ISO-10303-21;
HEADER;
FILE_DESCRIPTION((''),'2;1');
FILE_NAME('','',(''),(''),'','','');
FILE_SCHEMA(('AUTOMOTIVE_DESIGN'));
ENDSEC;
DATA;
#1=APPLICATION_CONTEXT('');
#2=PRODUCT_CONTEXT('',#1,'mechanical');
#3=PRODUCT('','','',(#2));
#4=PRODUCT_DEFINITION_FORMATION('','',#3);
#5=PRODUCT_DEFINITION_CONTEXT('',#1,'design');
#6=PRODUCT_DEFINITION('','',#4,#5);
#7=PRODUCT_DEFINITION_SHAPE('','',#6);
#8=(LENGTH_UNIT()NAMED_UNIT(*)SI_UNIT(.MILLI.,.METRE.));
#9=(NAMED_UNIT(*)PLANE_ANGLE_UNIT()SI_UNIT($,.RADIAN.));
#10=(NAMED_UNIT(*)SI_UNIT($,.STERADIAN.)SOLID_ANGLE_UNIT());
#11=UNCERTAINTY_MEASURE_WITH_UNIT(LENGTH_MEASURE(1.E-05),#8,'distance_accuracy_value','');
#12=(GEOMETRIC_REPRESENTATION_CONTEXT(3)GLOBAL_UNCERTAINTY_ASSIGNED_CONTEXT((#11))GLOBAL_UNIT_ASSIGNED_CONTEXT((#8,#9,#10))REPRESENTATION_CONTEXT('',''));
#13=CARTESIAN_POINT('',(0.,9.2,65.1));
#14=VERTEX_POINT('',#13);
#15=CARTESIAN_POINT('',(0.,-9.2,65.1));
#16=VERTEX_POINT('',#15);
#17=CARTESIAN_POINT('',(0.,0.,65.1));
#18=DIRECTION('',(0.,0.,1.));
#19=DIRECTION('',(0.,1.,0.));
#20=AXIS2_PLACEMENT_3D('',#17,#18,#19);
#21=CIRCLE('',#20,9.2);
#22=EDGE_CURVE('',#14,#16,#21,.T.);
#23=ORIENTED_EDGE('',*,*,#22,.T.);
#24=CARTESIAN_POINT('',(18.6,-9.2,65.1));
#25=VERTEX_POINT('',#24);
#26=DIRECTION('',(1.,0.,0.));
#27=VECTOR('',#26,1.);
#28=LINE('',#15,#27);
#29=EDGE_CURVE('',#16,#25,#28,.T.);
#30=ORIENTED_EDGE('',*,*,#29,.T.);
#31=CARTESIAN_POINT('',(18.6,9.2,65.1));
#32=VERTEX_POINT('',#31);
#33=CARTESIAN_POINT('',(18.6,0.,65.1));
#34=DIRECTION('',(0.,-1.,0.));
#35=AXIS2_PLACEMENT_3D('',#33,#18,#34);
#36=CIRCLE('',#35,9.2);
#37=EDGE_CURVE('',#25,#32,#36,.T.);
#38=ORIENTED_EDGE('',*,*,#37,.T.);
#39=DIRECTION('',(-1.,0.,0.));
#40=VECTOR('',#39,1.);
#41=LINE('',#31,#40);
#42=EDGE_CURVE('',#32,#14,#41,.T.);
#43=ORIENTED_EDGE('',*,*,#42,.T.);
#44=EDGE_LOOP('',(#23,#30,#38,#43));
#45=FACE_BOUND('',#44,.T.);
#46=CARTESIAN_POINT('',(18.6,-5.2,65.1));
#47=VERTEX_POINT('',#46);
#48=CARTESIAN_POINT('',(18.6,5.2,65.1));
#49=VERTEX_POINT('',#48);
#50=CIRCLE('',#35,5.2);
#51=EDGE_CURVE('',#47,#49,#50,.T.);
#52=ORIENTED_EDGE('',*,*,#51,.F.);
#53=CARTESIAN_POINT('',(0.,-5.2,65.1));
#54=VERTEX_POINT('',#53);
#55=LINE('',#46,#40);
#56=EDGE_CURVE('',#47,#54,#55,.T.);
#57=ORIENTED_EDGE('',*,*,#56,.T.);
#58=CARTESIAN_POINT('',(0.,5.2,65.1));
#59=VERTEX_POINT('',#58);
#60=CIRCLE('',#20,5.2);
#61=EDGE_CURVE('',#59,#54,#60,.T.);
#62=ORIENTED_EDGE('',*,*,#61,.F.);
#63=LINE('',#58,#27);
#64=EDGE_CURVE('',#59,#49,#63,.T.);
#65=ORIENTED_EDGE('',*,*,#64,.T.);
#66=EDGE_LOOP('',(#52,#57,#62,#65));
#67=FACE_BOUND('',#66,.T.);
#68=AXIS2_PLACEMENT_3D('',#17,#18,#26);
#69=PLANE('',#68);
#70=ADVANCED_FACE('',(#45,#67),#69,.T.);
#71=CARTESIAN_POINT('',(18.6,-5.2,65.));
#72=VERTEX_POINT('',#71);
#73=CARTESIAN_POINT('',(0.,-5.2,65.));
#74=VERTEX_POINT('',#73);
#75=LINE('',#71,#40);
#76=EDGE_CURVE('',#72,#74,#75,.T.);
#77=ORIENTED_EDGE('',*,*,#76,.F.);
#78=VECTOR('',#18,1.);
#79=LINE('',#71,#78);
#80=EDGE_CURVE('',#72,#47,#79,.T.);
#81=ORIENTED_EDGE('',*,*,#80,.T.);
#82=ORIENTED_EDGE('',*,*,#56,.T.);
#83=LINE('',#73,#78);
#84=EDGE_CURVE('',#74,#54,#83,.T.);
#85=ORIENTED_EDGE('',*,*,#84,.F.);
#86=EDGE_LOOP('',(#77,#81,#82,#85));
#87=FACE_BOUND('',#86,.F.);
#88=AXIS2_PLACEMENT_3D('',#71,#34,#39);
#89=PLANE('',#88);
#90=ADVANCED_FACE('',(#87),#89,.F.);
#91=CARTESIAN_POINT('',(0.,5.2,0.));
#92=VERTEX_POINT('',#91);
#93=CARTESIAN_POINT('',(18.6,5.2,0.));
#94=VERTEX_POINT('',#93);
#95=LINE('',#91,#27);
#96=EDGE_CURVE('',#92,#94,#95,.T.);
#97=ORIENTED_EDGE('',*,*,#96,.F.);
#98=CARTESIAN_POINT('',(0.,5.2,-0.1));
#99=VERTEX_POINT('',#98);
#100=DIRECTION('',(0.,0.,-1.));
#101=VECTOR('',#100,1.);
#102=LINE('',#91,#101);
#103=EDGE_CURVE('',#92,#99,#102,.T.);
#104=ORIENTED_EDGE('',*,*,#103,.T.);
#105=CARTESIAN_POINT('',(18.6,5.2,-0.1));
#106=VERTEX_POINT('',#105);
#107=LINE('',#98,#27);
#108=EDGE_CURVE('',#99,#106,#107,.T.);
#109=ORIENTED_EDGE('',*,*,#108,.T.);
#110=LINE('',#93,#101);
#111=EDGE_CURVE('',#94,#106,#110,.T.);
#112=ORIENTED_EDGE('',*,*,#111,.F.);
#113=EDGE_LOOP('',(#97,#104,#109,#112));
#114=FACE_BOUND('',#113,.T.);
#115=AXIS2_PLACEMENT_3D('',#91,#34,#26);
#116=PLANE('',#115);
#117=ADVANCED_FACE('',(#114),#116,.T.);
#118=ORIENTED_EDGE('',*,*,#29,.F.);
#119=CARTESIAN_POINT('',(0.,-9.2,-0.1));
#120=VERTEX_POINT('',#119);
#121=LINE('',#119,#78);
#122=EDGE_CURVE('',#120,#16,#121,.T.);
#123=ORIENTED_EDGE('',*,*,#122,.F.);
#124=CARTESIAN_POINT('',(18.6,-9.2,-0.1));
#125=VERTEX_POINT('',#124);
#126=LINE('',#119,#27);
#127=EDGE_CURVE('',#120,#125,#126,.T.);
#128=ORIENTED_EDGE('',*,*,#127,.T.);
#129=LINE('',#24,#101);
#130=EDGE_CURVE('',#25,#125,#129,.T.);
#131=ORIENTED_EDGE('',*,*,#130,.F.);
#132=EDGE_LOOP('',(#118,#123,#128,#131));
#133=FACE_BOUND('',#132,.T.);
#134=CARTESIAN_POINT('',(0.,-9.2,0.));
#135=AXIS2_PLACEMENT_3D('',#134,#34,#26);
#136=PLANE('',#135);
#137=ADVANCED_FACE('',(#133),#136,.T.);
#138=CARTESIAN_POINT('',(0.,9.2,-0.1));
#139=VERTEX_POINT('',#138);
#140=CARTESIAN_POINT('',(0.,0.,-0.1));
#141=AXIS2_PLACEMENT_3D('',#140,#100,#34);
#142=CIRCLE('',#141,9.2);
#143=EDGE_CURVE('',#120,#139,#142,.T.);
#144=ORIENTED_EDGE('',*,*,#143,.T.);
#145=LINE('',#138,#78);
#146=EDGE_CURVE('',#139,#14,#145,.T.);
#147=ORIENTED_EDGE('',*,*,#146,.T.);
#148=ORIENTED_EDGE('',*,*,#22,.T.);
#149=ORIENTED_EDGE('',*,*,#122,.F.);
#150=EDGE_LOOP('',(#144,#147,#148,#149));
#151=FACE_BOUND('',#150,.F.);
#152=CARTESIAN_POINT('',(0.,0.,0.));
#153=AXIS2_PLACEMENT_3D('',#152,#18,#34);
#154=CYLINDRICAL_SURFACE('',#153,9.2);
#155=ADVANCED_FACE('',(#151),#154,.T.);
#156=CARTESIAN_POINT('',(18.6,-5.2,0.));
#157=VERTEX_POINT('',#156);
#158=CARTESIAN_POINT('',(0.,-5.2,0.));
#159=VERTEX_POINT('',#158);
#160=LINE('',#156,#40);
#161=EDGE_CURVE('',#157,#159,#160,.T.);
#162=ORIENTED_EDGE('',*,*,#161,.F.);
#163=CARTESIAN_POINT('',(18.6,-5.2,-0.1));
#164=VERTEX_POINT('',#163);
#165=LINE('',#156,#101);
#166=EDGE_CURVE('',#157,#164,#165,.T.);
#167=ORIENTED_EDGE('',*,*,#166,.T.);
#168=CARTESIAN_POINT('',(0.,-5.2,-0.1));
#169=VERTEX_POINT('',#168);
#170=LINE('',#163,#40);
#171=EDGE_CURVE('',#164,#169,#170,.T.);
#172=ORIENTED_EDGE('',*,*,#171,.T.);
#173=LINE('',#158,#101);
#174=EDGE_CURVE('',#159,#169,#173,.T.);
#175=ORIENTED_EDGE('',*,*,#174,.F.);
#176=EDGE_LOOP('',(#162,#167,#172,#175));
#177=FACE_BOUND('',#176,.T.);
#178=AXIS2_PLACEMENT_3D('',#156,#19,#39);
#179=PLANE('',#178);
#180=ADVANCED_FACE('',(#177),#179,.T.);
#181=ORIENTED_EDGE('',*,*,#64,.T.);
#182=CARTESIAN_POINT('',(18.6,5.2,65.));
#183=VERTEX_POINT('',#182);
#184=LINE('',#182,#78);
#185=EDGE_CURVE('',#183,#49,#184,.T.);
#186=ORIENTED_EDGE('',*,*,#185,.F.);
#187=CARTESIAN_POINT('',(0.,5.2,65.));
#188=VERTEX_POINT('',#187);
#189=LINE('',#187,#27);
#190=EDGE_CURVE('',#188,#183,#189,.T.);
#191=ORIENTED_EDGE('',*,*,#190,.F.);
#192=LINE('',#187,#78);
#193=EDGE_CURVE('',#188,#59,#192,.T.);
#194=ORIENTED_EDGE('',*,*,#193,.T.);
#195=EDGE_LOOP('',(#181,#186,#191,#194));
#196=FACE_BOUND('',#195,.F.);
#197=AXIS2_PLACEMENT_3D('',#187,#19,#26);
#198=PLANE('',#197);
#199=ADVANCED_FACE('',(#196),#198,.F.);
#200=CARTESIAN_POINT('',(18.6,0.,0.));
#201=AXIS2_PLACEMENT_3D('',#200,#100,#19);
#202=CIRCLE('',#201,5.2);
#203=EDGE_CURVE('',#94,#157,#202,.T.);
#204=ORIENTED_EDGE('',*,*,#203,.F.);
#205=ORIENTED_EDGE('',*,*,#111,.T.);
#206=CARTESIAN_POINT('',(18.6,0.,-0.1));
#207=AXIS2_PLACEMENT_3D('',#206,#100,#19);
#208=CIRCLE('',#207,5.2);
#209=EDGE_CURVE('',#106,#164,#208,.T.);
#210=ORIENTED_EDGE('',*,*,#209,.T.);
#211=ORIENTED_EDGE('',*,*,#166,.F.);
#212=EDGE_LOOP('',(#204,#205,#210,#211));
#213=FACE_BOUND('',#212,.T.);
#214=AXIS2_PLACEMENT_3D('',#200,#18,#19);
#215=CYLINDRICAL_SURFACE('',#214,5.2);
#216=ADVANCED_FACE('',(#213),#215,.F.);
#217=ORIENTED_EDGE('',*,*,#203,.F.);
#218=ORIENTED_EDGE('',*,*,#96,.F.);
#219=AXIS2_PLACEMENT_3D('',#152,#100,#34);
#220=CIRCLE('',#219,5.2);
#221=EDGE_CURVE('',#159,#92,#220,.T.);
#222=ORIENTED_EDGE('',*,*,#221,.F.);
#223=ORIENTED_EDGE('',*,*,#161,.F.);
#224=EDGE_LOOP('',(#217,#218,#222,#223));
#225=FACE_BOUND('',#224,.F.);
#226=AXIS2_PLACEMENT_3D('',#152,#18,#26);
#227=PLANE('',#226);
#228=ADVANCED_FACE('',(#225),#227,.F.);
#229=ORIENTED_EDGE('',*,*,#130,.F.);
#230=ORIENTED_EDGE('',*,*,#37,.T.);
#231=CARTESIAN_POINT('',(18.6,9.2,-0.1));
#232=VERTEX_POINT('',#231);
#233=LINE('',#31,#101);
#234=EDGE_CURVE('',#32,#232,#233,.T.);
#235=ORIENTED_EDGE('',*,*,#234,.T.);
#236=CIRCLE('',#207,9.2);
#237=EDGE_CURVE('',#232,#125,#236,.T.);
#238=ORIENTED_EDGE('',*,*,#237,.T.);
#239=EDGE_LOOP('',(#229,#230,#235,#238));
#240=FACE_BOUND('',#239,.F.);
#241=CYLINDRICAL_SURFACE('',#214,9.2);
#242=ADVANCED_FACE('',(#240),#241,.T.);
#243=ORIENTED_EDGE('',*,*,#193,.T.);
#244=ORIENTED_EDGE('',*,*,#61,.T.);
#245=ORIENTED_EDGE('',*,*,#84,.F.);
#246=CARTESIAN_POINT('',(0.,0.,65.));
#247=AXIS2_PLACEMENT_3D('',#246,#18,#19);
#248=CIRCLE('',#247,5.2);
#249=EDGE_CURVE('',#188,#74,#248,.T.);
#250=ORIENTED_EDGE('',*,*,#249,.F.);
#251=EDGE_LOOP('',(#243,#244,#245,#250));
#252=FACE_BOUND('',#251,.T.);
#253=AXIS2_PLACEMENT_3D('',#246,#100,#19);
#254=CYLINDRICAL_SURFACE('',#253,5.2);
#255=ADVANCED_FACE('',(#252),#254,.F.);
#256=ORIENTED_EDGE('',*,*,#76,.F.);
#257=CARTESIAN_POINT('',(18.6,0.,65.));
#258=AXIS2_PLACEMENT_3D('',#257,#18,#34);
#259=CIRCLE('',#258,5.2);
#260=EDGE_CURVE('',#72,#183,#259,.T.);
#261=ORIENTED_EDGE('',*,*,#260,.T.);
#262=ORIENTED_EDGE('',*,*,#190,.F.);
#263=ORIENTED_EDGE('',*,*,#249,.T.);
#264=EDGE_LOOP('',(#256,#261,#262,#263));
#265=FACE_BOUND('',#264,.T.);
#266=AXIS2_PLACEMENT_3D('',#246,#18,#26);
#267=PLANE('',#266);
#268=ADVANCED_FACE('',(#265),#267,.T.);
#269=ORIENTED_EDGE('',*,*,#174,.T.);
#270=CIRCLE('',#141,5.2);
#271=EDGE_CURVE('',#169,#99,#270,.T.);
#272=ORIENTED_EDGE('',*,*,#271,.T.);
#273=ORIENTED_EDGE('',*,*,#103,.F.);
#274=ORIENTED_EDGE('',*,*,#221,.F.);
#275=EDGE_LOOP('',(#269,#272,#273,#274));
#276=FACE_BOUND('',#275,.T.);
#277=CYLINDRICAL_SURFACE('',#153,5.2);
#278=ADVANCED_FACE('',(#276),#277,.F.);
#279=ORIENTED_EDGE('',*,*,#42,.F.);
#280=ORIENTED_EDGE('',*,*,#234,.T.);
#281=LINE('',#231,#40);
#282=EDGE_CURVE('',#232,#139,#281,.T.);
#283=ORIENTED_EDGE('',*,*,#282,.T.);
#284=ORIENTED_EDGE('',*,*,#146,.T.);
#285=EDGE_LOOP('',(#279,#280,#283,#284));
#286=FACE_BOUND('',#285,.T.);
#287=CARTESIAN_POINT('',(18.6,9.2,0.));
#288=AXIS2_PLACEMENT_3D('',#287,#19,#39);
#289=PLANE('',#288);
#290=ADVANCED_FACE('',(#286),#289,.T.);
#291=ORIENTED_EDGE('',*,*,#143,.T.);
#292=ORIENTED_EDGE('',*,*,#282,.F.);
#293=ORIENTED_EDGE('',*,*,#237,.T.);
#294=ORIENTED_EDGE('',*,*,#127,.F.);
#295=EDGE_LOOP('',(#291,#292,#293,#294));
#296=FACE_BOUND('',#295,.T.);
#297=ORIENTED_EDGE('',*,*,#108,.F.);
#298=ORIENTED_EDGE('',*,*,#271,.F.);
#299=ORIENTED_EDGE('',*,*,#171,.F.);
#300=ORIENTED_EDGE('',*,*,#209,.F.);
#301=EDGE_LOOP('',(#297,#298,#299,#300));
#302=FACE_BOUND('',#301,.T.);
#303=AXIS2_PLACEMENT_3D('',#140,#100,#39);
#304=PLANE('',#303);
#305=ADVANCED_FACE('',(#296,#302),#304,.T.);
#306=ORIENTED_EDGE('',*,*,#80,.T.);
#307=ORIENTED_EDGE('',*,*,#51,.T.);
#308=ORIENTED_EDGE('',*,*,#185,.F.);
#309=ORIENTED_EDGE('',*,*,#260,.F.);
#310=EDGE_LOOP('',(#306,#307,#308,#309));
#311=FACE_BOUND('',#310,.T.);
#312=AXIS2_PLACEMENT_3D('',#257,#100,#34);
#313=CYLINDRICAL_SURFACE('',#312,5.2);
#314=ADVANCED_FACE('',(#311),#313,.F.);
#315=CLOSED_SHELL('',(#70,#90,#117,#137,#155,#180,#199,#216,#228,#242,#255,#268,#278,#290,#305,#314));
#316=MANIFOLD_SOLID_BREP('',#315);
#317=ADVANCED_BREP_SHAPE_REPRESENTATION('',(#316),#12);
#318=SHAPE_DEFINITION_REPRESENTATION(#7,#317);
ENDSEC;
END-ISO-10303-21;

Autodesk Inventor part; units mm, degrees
ref_plane "YZ Plane" through (0, 0, 0) normal (1, 0, 0) x (0, 1, 0)
ref_plane "XZ Plane" through (0, 0, 0) normal (0, 1, 0) x (-1, 0, 0)
ref_plane "XY Plane" through (0, 0, 0) normal (0, 0, 1) x (1, 0, 0)
sketch "Sketch1" plane through (0, 0, 0) normal (0, 0, 1) x (1, 0, 0)
  arc A0 (0, 9.2) -> (0, -9.2) centre (0, 0) ccw
  arc A1 (18.6, -9.2) -> (18.6, 9.2) centre (18.6, 0) ccw
  line L0 (0, 9.2) -> (18.6, 9.2)
  line L1 (0, -9.2) -> (18.6, -9.2)
  dimension "d0" = 18.4
  dimension "d1" = 18.4
  dimension "d2" = 18.6
extrude "Extrusion1" add sketch "Sketch1" along normal blind 65
sketch "Sketch2" plane through (0, 0, 65) normal (0, 0, 1) x (1, 0, 0)
  line L0 (18.6, 9.2) -> (0, 9.2) projected
  arc A0 (0, 9.2) -> (0, -9.2) centre (0, 0) ccw projected
  line L1 (0, -9.2) -> (18.6, -9.2) projected
  arc A1 (18.6, -9.2) -> (18.6, 9.2) centre (18.6, 0) ccw projected
  line L2 (0, 5.2) -> (18.6, 5.2)
  arc A2 (18.6, -5.2) -> (18.6, 5.2) centre (18.6, 0) ccw
  line L3 (18.6, -5.2) -> (0, -5.2)
  arc A3 (0, 5.2) -> (0, -5.2) centre (0, 0) ccw
  dimension "d7" = 4
extrude "Extrusion2" add sketch "Sketch2" along normal blind 0.1
sketch "Sketch3" plane through (0, 0, 0) normal (0, 0, -1) x (-1, 0, 0)
  line L0 (-18.6, 9.2) -> (0, 9.2) projected
  arc A0 (-18.6, 9.2) -> (-18.6, -9.2) centre (-18.6, 0) ccw projected
  line L1 (0, -9.2) -> (-18.6, -9.2) projected
  arc A1 (0, -9.2) -> (0, 9.2) centre (0, 0) ccw projected
  line L2 (0, 5.2) -> (-18.6, 5.2)
  arc A2 (-18.6, 5.2) -> (-18.6, -5.2) centre (-18.6, 0) ccw
  line L3 (-18.6, -5.2) -> (0, -5.2)
  arc A3 (0, -5.2) -> (0, 5.2) centre (0, 0) ccw
  dimension "d8" = 4
extrude "Extrusion3" add sketch "Sketch3" along normal blind 0.1
sketch "Sketch4" plane through (0, 9.2, 65.1) normal (0, 1, 0) x (1, 0, 0)
  point P0 (0, 65.1)
sketch "Sketch5" plane through (0, 9.2, 65.1) normal (0, 1, 0) x (1, 0, 0)
  line L0 (25.672, 60.4824) -> (25.672, 5.7019) construction
  line L1 (25.672, 5.7019) -> (-6.5778, 5.7019) construction
  line L2 (-6.5778, 5.7019) -> (-6.5778, 60.4824) construction
  line L3 (-6.5778, 60.4824) -> (25.672, 60.4824) construction
  point P0 (0, 65.1)
decal "Decal1"
sketch "Sketch6" plane through (0, 0, 65.1) normal (0, 0, 1) x (1, 0, 0)
  arc A0 (18.6, -5.2) -> (18.6, 5.2) centre (18.6, 0) ccw projected
  line L0 (18.6, -5.2) -> (0, -5.2) projected
  arc A1 (0, 5.2) -> (0, -5.2) centre (0, 0) ccw projected
  line L1 (0, 5.2) -> (18.6, 5.2) projected
  line L2 (18.6, 9.2) -> (0, 9.2) projected
  arc A2 (0, 9.2) -> (0, -9.2) centre (0, 0) ccw projected
  line L3 (0, -9.2) -> (18.6, -9.2) projected
  arc A3 (18.6, -9.2) -> (18.6, 9.2) centre (18.6, 0) ccw projected
properties part number "Battery Pack"
